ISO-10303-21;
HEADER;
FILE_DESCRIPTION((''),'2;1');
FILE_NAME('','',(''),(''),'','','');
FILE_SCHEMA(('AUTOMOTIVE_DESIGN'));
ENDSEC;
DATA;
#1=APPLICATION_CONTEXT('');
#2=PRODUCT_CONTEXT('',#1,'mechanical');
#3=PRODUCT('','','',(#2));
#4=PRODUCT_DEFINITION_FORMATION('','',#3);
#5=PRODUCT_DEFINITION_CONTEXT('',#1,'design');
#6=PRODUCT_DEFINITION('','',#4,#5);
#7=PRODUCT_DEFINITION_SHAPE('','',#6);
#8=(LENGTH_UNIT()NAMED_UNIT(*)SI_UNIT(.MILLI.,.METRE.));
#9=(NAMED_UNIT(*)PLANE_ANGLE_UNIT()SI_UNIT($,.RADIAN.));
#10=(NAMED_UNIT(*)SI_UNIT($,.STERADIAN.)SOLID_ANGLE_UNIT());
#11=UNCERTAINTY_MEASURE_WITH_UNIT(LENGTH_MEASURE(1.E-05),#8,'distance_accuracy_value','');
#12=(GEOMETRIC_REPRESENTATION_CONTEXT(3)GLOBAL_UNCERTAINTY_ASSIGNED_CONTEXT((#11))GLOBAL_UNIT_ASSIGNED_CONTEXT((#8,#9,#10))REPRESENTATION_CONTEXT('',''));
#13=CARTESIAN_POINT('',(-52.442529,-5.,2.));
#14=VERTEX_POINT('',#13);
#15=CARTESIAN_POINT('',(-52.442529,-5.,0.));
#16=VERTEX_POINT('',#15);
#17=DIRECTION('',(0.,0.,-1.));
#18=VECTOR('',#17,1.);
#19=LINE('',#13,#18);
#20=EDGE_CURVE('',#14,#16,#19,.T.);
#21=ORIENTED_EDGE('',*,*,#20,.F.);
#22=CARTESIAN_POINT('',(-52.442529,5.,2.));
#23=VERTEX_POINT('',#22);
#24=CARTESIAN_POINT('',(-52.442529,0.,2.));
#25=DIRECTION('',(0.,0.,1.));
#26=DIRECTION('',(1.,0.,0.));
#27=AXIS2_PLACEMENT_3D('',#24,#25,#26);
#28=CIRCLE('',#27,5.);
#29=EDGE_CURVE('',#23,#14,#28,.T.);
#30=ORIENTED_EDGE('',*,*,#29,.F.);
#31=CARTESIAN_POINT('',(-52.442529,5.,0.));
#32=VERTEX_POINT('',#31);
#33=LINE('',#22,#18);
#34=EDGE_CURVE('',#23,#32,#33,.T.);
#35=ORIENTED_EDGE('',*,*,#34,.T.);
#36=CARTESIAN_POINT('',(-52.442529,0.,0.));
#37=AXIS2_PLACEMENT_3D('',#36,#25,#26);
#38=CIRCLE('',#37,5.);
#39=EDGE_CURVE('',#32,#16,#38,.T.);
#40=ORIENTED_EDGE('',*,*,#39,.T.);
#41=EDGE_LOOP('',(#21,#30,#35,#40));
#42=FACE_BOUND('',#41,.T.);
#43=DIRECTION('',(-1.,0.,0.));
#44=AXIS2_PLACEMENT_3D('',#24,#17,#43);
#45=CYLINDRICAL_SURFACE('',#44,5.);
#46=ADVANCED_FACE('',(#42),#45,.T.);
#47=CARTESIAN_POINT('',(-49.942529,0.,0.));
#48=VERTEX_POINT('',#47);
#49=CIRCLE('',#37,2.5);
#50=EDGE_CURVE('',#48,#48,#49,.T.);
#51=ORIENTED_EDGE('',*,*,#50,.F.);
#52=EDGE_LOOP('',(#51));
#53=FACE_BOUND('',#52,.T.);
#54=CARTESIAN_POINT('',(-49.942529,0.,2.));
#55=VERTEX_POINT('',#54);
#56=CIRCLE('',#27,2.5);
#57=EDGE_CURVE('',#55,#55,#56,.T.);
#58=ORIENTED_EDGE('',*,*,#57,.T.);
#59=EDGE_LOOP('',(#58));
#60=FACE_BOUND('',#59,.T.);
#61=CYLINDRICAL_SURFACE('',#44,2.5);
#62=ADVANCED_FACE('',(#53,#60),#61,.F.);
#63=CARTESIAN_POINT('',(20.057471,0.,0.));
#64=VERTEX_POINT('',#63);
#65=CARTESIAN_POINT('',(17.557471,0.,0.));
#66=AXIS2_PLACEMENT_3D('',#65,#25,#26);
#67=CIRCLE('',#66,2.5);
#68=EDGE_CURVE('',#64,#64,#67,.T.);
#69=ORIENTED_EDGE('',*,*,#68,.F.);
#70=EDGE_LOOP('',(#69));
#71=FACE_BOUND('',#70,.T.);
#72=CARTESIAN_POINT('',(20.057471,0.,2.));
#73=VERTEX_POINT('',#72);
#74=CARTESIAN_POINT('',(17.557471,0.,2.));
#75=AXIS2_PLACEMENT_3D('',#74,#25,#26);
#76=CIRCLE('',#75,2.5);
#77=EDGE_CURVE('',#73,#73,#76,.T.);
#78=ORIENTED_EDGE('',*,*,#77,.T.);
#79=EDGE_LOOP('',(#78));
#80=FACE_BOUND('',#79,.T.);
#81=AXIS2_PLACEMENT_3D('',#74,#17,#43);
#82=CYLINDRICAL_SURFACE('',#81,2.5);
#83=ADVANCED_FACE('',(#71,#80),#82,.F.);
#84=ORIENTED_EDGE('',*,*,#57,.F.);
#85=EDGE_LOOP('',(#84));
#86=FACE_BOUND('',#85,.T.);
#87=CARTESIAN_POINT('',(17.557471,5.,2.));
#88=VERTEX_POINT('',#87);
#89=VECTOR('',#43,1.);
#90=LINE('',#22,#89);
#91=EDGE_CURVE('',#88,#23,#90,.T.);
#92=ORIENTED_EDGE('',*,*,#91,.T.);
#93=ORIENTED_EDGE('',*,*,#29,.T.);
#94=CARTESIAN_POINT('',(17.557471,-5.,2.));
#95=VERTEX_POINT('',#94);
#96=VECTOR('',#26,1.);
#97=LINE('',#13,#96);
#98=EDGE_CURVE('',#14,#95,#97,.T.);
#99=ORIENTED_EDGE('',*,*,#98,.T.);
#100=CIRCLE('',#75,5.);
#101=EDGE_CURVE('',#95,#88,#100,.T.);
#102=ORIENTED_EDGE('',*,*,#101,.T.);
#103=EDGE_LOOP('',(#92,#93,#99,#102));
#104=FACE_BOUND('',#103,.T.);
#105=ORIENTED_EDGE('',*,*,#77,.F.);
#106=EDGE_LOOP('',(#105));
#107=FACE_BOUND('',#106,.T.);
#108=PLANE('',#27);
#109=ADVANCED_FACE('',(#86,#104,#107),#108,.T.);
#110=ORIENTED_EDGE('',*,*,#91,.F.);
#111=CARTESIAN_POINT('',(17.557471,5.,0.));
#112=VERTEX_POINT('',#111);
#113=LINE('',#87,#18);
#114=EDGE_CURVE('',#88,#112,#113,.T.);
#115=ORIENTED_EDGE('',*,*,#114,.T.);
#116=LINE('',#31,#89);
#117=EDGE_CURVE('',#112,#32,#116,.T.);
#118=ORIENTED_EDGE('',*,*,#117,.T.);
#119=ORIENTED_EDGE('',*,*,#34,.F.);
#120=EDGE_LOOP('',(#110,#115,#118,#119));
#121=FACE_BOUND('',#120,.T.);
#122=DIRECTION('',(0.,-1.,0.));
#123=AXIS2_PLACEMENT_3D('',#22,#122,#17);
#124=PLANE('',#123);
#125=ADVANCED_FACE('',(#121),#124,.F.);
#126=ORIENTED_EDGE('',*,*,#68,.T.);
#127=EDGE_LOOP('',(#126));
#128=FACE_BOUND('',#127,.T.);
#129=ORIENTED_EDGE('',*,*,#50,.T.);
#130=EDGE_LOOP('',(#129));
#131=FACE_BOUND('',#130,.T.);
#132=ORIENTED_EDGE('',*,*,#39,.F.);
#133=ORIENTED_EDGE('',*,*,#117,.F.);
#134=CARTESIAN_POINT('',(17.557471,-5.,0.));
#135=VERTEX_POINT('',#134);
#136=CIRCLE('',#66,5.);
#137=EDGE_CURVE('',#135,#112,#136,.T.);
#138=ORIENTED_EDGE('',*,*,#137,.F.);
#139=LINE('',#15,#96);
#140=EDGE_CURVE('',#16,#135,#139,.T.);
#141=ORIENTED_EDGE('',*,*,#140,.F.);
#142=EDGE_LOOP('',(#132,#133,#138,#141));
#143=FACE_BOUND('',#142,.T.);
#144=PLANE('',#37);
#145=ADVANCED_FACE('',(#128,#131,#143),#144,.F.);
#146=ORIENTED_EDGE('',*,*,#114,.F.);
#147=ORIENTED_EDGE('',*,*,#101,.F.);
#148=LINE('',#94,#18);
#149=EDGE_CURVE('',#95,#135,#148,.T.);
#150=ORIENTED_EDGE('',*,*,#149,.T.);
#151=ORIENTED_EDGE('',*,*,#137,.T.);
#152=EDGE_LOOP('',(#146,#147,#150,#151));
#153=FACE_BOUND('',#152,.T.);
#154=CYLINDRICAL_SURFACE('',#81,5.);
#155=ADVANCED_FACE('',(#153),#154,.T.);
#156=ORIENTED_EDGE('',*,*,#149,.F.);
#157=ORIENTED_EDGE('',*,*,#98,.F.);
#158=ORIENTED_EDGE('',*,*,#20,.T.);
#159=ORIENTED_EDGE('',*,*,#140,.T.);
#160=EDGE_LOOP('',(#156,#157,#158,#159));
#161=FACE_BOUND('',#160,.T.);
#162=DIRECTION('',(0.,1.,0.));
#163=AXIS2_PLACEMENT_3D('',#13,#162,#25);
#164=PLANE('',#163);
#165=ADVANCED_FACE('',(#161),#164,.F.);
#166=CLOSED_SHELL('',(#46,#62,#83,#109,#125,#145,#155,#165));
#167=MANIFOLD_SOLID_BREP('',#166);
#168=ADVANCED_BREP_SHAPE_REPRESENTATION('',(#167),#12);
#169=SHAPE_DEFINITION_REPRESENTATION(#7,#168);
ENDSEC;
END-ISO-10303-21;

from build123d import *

# Parameters (mm, degrees)
SKETCH1_R           = 2.5
BOSS_EXTRUDE1_DEPTH = 2


with BuildPart() as part:
    # Sketch1 → Boss-Extrude1 (new body)
    with BuildSketch(Plane.XY):
        with BuildLine():
            Line((-52.442528736, 5), (17.557471264, 5))
            ThreePointArc((17.557471264, 5), (22.557471264, 0), (17.557471264, -5))
            Line((17.557471264, -5), (-52.442528736, -5))
            ThreePointArc((-52.442528736, -5), (-57.442528736, 0), (-52.442528736, 5))
        make_face()
        with Locations((-52.442528736, 0)):
            Circle(SKETCH1_R, mode=Mode.SUBTRACT)
        with Locations((17.557471264, 0)):
            Circle(SKETCH1_R, mode=Mode.SUBTRACT)
    extrude(amount=BOSS_EXTRUDE1_DEPTH)


solid = part.part
